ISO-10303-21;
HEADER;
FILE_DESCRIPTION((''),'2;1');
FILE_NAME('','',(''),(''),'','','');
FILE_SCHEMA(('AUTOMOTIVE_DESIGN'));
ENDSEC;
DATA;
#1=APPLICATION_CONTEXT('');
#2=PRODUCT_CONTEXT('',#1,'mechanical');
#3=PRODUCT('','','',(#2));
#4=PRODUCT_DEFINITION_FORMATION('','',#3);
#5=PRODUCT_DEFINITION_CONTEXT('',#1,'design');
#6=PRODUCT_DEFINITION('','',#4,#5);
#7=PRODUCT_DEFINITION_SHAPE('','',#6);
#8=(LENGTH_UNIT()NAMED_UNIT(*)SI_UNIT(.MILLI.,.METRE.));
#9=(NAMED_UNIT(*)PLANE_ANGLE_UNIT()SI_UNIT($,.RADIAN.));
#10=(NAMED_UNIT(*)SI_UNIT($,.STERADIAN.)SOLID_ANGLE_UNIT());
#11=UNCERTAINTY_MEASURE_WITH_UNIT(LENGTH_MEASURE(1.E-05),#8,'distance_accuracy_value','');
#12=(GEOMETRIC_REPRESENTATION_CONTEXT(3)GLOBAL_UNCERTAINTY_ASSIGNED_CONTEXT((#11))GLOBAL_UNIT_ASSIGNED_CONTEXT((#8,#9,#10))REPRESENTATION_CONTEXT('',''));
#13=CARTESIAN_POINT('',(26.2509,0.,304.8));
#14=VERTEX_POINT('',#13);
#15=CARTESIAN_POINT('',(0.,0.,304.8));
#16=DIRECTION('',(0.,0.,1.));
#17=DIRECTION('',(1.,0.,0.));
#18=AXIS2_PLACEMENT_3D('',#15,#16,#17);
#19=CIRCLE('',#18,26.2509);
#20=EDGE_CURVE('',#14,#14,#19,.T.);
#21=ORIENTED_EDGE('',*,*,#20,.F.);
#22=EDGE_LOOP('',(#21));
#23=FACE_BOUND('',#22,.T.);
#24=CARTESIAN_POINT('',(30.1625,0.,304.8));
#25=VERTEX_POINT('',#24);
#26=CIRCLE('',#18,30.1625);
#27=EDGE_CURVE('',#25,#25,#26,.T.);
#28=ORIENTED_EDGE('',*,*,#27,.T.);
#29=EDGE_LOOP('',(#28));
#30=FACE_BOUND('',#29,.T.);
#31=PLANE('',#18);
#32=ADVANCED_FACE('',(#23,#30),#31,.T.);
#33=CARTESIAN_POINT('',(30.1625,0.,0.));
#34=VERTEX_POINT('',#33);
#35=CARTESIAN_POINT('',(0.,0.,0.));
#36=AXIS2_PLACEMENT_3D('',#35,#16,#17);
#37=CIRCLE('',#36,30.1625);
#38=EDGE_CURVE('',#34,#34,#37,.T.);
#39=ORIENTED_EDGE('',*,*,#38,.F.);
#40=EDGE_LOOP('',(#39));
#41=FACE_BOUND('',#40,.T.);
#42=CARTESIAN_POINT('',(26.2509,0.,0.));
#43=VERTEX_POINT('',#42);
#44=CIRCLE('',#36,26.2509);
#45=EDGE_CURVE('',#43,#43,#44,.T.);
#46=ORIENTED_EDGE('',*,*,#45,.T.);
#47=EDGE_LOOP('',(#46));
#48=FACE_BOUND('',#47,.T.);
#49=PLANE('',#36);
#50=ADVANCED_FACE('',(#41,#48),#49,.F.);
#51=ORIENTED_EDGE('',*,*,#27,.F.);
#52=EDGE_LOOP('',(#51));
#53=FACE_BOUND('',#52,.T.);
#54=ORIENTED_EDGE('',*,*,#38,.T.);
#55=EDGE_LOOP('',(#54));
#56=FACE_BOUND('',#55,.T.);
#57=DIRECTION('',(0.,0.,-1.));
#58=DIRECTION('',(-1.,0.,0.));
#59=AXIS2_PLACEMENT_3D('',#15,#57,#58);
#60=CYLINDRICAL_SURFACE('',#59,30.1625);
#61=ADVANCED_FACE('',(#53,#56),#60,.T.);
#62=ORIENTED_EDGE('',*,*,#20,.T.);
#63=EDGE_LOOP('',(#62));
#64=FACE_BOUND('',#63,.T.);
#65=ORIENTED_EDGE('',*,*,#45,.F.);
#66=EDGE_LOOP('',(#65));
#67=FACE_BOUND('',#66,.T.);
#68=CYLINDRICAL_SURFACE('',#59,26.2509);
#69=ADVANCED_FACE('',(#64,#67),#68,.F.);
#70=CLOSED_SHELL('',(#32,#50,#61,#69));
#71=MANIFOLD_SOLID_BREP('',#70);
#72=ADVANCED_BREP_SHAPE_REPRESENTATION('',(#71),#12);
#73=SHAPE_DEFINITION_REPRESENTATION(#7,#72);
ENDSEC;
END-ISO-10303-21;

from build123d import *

# Parameters (mm, degrees)
SKETCH1_R           = 30.1625
SKETCH1_R_2         = 26.2509
BOSS_EXTRUDE1_DEPTH = 304.8


with BuildPart() as part:
    # Sketch1 → Boss-Extrude1 (new body)
    with BuildSketch(Plane.XY):
        Circle(SKETCH1_R)
        Circle(SKETCH1_R_2, mode=Mode.SUBTRACT)
    extrude(amount=BOSS_EXTRUDE1_DEPTH)


solid = part.part
